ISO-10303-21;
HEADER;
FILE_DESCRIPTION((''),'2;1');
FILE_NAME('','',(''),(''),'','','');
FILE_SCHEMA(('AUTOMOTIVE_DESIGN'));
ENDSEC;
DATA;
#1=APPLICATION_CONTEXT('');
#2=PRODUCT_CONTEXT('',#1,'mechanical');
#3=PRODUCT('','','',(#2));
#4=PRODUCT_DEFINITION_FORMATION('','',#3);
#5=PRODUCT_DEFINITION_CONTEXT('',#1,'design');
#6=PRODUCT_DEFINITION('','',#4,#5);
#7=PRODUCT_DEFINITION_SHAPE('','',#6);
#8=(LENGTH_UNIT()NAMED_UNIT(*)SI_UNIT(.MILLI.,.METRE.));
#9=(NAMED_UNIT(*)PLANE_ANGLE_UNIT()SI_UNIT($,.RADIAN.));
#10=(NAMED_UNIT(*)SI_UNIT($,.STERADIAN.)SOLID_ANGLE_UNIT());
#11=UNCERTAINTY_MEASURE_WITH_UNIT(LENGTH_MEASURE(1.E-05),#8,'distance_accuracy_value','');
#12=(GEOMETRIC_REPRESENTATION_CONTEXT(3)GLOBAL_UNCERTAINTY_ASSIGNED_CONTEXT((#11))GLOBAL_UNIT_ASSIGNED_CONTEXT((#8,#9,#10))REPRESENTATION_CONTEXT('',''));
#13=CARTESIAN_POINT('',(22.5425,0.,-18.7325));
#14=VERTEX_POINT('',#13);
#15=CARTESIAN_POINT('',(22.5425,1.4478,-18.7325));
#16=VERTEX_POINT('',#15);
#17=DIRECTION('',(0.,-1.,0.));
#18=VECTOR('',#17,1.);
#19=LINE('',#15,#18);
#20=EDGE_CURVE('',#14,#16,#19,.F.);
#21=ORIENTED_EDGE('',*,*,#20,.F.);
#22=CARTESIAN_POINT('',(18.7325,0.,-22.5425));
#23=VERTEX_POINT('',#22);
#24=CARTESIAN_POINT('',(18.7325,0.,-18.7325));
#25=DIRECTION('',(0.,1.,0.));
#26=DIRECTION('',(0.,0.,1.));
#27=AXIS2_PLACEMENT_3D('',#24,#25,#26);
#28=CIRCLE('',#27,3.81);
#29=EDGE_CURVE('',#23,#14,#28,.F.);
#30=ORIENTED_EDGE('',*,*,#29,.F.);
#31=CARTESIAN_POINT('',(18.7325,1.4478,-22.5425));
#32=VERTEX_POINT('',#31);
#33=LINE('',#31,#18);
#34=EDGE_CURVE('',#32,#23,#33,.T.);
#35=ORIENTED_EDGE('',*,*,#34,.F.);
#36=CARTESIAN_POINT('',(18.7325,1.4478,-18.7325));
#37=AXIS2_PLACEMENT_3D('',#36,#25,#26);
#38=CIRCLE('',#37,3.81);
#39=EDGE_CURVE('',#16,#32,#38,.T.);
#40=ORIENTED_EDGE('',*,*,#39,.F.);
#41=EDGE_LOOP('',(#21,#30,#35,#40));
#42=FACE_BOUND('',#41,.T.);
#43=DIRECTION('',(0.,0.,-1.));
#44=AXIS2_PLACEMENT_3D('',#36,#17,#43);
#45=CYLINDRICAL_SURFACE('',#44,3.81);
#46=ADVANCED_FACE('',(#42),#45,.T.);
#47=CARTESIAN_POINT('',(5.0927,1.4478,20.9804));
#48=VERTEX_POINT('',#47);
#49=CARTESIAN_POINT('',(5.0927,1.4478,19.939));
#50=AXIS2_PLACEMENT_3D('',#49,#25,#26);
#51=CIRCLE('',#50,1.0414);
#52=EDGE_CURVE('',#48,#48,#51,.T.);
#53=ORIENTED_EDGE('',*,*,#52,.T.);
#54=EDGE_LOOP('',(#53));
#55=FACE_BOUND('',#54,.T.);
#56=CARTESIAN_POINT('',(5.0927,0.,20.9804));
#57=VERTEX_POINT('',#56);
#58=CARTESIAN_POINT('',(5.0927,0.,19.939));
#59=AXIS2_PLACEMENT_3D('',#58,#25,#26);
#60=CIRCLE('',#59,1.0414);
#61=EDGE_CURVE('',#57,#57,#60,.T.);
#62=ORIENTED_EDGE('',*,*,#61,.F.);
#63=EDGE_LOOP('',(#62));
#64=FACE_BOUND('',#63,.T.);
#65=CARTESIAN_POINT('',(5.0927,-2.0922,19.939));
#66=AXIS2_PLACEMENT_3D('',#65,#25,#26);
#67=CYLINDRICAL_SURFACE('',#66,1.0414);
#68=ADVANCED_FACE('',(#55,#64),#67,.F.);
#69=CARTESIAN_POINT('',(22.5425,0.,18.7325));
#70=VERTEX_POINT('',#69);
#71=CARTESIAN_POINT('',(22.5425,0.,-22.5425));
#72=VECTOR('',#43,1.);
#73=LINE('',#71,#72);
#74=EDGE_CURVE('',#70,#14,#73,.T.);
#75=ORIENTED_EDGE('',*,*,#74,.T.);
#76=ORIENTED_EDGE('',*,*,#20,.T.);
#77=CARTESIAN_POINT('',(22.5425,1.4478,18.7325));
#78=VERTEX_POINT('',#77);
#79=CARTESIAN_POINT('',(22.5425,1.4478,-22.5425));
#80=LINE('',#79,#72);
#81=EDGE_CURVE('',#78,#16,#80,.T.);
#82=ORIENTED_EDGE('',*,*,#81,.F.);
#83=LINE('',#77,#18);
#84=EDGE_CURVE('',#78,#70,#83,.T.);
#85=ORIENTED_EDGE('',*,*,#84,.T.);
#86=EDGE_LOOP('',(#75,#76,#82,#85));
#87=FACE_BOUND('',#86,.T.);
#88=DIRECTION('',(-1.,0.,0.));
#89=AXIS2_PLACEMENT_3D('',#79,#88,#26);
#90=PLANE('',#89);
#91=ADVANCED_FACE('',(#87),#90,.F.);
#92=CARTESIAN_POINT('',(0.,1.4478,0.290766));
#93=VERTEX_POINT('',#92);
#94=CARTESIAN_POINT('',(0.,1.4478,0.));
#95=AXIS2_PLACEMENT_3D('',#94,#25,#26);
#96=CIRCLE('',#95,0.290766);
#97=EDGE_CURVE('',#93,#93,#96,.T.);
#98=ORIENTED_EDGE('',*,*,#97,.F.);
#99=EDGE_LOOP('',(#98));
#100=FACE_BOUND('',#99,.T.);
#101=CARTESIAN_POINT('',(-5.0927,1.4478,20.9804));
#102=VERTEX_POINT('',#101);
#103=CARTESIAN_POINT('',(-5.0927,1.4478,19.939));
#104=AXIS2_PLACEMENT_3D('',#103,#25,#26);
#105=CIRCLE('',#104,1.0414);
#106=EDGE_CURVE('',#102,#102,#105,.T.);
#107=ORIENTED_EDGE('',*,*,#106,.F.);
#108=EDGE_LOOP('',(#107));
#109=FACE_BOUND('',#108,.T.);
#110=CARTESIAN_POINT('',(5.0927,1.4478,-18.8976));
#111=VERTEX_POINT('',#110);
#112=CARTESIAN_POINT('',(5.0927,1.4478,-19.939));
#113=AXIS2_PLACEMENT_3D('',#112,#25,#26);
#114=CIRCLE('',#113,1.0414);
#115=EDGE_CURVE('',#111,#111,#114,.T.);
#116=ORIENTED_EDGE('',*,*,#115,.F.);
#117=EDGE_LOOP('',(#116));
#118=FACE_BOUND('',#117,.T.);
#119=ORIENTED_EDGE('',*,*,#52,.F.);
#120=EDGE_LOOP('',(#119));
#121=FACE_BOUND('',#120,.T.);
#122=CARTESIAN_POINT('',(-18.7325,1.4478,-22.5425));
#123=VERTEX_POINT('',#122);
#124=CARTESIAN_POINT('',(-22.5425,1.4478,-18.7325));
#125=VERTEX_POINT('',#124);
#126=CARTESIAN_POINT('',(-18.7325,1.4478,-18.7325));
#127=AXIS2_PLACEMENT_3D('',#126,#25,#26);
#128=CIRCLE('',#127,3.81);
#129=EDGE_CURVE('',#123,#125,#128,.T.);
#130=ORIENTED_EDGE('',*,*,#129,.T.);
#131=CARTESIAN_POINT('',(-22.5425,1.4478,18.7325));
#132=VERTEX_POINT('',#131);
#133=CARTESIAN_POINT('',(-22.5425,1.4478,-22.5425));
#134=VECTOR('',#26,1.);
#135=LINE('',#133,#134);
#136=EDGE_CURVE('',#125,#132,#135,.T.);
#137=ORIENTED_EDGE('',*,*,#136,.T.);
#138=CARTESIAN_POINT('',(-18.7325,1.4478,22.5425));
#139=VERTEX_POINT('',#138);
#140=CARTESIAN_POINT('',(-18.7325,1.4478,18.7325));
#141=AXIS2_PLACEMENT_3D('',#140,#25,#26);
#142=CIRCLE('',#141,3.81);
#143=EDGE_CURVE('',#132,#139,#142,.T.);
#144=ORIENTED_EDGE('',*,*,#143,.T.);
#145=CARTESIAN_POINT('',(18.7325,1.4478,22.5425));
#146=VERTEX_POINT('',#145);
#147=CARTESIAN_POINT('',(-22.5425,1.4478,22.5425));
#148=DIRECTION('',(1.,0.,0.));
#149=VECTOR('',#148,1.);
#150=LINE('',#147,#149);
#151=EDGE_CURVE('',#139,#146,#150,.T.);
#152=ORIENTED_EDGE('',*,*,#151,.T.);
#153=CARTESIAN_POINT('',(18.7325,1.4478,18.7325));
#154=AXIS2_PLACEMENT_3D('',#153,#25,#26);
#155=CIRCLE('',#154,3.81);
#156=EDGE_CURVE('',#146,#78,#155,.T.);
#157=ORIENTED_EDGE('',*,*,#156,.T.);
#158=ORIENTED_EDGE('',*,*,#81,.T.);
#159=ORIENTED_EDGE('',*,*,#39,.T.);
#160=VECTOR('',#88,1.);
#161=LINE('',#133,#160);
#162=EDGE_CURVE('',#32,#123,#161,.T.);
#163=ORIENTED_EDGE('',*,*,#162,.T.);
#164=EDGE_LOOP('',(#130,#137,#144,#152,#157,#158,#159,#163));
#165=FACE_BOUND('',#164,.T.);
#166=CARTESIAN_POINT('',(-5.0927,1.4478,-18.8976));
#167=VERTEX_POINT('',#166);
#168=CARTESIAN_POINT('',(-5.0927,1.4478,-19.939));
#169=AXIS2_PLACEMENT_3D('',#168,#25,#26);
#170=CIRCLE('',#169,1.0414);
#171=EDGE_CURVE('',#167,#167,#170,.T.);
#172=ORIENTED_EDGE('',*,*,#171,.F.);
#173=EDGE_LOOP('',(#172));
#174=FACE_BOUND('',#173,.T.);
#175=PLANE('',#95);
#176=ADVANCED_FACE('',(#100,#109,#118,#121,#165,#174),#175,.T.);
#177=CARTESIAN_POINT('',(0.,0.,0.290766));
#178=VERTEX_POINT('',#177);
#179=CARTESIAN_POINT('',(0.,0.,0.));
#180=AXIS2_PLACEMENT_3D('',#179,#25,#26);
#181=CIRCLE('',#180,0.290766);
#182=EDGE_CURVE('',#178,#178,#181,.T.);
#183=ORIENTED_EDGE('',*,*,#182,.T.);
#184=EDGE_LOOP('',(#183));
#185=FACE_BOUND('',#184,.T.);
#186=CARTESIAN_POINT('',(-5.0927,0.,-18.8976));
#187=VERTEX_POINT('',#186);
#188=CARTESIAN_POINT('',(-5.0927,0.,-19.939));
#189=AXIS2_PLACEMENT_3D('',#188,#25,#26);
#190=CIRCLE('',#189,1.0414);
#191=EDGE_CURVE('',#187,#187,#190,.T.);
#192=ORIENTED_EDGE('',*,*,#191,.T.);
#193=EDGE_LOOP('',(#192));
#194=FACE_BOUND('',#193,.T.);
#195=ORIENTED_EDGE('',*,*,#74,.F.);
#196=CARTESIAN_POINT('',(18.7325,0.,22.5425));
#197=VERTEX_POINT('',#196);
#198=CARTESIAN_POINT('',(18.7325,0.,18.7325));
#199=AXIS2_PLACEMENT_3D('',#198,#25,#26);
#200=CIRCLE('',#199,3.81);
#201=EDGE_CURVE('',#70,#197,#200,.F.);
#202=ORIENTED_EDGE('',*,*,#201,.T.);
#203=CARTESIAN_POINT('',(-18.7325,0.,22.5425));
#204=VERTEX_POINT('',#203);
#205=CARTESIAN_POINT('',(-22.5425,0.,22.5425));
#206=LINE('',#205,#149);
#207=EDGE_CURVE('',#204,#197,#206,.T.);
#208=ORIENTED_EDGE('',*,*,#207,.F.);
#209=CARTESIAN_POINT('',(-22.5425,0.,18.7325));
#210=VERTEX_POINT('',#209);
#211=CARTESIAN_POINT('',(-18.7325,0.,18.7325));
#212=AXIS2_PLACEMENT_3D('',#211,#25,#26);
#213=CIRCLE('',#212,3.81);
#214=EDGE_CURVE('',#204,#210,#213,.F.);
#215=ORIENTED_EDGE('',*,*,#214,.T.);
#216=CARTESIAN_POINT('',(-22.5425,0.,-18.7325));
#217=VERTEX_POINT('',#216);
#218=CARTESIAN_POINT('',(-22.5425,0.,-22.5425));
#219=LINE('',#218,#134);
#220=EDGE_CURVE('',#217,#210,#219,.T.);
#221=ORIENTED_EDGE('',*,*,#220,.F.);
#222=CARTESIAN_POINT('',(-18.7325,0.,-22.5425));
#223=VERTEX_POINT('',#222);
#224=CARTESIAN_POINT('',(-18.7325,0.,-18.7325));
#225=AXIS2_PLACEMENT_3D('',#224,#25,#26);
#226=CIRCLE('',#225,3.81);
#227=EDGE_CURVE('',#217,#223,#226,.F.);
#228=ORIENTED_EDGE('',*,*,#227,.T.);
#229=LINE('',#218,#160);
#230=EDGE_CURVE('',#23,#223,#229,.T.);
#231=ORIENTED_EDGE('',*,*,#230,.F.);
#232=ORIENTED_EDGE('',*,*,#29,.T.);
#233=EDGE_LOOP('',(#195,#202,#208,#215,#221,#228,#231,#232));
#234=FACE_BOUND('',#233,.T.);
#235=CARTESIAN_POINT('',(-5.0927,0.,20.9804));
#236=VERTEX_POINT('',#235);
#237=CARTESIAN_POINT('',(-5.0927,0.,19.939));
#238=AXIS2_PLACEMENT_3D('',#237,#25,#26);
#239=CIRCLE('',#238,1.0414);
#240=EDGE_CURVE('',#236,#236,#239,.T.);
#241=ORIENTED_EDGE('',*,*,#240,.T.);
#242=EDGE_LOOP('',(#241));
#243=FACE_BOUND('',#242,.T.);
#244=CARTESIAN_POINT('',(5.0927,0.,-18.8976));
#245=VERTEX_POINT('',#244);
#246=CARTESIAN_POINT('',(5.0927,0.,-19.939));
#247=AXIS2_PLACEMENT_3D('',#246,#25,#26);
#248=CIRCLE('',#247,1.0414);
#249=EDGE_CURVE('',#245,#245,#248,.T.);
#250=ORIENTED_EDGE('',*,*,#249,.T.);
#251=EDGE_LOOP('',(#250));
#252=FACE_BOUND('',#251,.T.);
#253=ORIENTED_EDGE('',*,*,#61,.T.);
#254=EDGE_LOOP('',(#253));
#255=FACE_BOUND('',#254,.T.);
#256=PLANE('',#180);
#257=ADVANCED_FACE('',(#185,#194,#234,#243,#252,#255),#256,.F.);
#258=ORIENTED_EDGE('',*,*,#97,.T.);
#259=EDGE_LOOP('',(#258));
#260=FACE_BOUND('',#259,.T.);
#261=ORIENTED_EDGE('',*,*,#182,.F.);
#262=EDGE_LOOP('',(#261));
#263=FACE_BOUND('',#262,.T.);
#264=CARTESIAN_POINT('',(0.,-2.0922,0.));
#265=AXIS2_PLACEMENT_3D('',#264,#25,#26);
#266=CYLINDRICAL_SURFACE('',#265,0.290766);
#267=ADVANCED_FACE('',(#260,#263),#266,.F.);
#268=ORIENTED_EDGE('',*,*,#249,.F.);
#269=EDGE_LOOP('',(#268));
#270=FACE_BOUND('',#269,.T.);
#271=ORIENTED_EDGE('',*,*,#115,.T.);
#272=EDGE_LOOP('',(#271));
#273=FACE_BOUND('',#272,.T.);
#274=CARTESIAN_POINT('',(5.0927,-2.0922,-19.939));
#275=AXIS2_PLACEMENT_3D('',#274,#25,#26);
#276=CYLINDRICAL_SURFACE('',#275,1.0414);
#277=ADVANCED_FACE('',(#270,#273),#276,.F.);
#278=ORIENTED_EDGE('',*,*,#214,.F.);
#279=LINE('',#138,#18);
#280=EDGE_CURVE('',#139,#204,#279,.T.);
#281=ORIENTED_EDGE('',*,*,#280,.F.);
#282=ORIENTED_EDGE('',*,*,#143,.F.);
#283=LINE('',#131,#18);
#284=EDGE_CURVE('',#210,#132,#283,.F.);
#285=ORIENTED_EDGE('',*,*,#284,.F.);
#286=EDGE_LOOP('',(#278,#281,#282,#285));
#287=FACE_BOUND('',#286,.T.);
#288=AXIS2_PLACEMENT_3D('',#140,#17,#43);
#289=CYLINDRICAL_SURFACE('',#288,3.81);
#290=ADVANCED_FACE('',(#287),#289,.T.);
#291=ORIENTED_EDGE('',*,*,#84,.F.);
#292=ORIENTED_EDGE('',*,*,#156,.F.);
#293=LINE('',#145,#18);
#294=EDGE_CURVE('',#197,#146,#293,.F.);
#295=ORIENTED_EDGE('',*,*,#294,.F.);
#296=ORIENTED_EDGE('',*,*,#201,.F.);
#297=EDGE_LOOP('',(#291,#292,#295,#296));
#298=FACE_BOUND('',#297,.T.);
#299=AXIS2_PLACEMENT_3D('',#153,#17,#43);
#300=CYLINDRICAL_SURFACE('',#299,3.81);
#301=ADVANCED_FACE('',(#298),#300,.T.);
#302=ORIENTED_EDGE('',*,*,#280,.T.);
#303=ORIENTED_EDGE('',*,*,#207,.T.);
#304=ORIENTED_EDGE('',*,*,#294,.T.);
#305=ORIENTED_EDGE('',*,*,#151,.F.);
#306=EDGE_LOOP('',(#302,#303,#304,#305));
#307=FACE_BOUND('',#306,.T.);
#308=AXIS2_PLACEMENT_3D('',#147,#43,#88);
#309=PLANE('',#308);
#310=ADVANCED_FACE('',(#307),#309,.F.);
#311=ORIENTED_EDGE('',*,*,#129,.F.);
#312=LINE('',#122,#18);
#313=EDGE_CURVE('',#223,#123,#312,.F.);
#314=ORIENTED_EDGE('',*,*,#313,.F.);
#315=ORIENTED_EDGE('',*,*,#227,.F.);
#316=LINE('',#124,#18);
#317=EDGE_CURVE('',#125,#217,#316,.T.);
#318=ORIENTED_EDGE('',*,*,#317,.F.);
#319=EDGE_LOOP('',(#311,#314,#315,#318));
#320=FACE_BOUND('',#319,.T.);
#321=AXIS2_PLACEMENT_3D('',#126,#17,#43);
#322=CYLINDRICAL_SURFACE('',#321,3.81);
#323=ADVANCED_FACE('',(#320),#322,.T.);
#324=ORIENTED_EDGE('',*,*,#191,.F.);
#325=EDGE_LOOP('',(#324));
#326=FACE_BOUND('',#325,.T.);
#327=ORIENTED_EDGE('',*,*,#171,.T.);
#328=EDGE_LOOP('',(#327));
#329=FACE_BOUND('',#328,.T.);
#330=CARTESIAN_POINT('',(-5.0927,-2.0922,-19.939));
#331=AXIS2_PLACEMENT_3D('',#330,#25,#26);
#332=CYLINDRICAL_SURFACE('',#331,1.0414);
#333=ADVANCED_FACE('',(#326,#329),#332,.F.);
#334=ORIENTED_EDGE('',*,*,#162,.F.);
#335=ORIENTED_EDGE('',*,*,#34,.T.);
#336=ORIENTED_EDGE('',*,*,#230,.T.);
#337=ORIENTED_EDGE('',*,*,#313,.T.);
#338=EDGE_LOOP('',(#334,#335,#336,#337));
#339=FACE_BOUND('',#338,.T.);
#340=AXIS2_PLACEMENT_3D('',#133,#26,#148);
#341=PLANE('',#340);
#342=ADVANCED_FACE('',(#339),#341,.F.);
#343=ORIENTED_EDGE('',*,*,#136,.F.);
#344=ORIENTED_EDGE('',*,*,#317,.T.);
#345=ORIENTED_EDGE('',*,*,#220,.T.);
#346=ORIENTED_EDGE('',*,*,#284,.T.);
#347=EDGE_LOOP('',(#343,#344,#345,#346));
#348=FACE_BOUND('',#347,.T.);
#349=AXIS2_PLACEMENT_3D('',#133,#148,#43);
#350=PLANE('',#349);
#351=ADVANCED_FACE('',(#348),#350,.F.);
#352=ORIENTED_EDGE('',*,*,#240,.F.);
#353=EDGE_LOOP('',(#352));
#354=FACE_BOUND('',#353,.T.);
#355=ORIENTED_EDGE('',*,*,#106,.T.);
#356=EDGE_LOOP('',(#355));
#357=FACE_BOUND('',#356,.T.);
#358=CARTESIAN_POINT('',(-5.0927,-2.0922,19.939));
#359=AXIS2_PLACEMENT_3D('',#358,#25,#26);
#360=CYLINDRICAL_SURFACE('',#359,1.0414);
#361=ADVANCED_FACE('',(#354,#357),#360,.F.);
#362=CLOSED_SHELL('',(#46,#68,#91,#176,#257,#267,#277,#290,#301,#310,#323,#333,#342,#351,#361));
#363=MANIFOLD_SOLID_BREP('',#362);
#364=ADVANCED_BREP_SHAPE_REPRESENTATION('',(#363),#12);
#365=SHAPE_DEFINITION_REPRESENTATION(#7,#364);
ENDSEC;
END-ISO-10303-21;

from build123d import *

# Parameters (mm, degrees)
SKETCH1_W           = 45.085
SKETCH1_H           = 45.085
BOSS_EXTRUDE1_DEPTH = 1.4478
SKETCH2_R           = 0.290766207
SKETCH2_R_2         = 1.0414
CUT_EXTRUDE1_DEPTH  = 3.54
FILLET1_R           = 3.81


with BuildPart() as part:
    # Sketch1 → Boss-Extrude1 (new body)
    with BuildSketch(Plane(origin=(0, 0, 0), x_dir=(1, 0, 0), z_dir=(0, 1, 0))):
        Rectangle(SKETCH1_W, SKETCH1_H)
    extrude(amount=BOSS_EXTRUDE1_DEPTH)

    # Sketch2 → Cut-Extrude1 (cut)
    with BuildSketch(Plane(origin=(0, 1.4478, 0), x_dir=(1, 0, 0), z_dir=(0, 1, 0))):
        with Locations(Location((0, 0, 0), (0, 0, 270))):
            Circle(SKETCH2_R)
        with Locations(Location((-5.0927, 19.939, 0), (0, 0, 270))):
            Circle(SKETCH2_R_2)
        with Locations(Location((5.0927, 19.939, 0), (0, 0, 270))):
            Circle(SKETCH2_R_2)
        with Locations(Location((5.0927, -19.939, 0), (0, 0, 270))):
            Circle(SKETCH2_R_2)
        with Locations(Location((-5.0927, -19.939, 0), (0, 0, 270))):
            Circle(SKETCH2_R_2)
    extrude(amount=-CUT_EXTRUDE1_DEPTH, mode=Mode.SUBTRACT)

    # Fillet1
    fillet1_edges = [part.edges().sort_by_distance(p)[0] for p in [
        (22.5425, 0.7239, 22.5425),
        (-22.5425, 0.7239, 22.5425),
        (-22.5425, 0.7239, -22.5425),
        (22.5425, 0.7239, -22.5425),
    ]]
    fillet(fillet1_edges, radius=FILLET1_R)


solid = part.part
